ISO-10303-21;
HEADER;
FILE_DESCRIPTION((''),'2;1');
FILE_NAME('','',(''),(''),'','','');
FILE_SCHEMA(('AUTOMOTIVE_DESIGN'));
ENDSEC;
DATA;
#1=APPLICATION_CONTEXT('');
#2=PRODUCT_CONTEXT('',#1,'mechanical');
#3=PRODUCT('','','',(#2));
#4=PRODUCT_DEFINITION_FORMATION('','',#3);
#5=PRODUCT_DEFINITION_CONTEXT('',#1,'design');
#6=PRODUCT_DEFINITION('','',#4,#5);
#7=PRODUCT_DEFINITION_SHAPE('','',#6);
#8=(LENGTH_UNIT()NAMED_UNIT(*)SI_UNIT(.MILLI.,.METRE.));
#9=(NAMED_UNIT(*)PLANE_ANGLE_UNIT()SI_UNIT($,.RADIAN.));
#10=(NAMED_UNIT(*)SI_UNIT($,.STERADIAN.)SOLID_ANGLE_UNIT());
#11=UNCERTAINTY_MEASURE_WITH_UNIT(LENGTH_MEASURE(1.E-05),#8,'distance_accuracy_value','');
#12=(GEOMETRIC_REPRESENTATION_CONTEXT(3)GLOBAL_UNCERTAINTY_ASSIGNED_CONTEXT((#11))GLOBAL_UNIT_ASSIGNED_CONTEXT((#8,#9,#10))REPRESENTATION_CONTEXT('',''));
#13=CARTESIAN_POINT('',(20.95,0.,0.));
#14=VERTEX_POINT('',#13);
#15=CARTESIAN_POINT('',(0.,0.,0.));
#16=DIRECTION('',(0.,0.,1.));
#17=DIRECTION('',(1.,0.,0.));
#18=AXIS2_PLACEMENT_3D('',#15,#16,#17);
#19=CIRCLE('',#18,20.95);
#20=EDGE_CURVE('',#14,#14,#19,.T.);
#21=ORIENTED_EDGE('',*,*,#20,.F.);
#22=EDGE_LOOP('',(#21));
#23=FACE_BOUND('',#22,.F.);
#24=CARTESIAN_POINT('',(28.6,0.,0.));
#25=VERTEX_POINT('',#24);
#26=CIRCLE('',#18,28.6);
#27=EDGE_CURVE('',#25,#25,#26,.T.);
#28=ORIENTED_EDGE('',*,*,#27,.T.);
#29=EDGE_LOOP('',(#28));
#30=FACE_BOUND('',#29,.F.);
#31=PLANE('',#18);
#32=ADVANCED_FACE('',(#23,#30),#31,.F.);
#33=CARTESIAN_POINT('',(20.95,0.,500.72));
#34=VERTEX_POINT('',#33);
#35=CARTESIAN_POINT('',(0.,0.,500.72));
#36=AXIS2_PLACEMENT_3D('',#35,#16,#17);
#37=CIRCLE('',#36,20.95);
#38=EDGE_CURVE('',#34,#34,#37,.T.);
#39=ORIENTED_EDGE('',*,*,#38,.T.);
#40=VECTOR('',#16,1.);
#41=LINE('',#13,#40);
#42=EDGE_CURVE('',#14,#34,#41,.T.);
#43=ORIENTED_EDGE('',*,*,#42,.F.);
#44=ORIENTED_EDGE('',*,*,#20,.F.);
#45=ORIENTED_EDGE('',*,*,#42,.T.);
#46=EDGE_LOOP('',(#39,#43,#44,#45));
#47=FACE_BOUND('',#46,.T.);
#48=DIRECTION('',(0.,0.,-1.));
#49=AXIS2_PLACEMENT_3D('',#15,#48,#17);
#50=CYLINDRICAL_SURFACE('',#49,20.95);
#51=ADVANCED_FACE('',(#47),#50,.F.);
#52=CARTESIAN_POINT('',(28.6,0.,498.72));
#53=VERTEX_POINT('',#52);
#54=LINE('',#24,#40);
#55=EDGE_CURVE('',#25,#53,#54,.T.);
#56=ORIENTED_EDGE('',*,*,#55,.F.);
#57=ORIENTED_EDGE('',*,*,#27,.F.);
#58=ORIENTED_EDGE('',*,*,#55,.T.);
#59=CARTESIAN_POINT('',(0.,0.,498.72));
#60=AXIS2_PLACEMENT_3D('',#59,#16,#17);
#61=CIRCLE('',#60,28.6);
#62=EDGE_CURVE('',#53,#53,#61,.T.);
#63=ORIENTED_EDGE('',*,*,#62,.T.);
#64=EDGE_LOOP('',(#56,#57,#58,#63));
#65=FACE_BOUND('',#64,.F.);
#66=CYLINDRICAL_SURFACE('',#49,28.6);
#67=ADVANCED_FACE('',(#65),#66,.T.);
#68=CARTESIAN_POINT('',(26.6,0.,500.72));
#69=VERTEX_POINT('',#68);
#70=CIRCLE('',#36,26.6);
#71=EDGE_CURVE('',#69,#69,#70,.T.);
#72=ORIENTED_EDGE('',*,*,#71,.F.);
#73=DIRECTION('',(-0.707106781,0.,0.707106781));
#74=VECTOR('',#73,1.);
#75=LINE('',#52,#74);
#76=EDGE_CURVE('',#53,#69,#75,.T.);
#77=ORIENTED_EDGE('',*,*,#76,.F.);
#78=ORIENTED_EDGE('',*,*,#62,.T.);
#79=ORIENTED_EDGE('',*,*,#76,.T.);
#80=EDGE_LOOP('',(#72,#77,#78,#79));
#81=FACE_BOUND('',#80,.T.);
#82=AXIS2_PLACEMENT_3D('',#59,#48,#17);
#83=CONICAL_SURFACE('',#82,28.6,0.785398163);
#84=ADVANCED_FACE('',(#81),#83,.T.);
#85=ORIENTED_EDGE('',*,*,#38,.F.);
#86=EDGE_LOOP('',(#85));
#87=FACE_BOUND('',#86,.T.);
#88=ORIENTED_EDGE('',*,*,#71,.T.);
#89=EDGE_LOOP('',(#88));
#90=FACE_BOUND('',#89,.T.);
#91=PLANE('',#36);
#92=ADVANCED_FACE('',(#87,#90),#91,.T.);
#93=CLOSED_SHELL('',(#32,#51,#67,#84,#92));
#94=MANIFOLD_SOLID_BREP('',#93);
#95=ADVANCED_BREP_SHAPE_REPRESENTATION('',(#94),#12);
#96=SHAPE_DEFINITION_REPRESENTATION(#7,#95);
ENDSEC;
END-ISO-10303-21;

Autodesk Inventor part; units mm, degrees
ref_plane "YZ Plane" through (0, 0, 0) normal (1, 0, 0) x (0, 1, 0)
ref_plane "XZ Plane" through (0, 0, 0) normal (0, 1, 0) x (-1, 0, 0)
ref_plane "XY Plane" through (0, 0, 0) normal (0, 0, 1) x (1, 0, 0)
sketch "Sketch1" plane through (0, 0, 0) normal (0, 0, 1) x (1, 0, 0)
  circle A0 centre (0, 0) radius 28.6
  circle A1 centre (0, 0) radius 20.95
  dimension "d0" = 57.2
  dimension "d1" = 41.9
extrude "Extrusion1" add sketch "Sketch1" along normal blind 500.72
chamfer "Chamfer1" distance 2 angle 45 1 edges at (-28.6, 0, 500.72)
properties part number "Chuck shaft"
